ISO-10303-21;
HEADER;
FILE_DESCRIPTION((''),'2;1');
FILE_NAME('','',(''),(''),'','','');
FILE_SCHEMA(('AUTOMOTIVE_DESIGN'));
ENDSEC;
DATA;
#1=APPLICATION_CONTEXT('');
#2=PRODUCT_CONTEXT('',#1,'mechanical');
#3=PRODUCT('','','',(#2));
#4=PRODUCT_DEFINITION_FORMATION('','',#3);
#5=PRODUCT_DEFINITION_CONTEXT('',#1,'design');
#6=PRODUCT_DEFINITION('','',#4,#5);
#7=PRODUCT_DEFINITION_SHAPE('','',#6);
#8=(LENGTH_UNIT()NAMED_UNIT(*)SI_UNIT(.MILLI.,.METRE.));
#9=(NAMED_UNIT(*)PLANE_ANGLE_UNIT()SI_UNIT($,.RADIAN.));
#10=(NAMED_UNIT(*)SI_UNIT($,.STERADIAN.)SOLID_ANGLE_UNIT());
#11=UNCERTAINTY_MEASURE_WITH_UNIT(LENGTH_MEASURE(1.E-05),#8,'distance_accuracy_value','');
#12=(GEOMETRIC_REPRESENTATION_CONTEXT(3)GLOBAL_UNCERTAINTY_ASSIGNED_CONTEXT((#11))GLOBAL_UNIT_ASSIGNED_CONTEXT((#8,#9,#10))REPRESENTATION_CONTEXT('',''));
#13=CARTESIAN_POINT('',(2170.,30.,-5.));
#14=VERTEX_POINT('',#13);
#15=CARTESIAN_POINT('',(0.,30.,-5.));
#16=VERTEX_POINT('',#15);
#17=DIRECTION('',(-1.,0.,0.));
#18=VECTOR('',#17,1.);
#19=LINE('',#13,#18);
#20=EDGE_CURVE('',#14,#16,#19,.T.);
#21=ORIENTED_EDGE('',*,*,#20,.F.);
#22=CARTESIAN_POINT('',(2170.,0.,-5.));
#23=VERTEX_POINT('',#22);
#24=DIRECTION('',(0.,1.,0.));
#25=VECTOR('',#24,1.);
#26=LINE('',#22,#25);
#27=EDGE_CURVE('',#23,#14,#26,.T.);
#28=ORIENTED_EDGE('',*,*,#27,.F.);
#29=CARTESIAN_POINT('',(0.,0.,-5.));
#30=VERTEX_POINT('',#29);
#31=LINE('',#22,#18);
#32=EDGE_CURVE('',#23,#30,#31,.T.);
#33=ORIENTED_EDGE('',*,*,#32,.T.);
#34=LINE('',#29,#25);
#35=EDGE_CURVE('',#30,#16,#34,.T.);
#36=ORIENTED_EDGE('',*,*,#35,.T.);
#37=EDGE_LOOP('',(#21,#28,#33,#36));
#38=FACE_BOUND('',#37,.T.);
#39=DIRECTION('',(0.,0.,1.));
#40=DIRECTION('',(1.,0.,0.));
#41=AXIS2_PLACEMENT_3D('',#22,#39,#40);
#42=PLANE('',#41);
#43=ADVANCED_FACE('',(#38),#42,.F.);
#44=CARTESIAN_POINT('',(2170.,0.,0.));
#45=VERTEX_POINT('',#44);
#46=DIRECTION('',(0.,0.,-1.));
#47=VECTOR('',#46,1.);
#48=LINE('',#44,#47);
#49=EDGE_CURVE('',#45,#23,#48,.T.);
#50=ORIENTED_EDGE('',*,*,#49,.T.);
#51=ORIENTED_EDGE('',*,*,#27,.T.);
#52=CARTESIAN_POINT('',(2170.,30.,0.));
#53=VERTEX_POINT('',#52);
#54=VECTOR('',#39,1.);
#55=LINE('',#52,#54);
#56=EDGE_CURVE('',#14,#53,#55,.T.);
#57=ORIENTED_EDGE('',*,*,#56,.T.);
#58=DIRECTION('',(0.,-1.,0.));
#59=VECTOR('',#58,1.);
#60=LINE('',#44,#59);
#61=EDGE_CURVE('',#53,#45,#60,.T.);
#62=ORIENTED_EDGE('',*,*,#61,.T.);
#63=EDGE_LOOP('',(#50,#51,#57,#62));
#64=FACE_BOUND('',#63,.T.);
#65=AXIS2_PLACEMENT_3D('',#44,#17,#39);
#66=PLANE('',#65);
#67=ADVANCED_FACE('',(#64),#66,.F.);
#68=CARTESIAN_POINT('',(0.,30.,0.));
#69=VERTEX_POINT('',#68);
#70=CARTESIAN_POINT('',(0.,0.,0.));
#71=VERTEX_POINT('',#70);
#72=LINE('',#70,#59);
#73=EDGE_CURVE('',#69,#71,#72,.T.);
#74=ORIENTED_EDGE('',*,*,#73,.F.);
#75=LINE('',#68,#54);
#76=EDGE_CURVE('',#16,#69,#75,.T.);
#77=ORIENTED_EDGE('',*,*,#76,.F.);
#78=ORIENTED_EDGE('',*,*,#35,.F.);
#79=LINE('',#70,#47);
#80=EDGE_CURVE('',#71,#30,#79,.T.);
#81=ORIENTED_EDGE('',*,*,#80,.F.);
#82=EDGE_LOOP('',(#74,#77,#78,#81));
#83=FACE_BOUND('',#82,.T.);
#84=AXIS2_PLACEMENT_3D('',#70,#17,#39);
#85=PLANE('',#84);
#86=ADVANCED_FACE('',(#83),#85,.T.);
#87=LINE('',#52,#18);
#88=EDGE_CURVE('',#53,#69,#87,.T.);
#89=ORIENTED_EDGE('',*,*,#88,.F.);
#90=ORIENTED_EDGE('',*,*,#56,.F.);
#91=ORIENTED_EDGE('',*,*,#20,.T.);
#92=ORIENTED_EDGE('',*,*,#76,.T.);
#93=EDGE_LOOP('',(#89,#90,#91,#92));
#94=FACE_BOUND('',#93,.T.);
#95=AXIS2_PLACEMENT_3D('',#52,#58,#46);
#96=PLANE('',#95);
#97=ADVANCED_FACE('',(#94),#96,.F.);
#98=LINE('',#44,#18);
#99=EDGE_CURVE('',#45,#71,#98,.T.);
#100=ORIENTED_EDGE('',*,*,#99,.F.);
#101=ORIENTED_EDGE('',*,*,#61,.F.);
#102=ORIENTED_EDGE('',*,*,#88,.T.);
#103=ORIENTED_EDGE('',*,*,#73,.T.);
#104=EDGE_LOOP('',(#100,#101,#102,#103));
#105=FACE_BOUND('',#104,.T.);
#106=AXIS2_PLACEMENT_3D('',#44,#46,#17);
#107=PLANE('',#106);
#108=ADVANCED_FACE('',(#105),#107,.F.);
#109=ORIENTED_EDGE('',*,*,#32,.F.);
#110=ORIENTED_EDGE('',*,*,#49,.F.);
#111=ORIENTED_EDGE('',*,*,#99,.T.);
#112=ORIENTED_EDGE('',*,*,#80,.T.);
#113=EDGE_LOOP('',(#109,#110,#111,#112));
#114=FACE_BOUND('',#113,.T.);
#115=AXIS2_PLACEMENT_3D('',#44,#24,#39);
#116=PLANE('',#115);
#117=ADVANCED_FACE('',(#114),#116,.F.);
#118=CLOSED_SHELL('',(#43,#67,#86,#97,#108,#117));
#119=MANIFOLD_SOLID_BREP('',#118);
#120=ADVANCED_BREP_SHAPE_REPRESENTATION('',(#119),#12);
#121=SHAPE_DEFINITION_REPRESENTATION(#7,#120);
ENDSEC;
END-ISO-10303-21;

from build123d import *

# Parameters (mm, degrees)
SKETCH_1_W      = 5
SKETCH_1_H      = 30
EXTRUDE_1_DEPTH = 2170


with BuildPart() as part:
    # Эскиз1 → Бобышка-Вытянуть1 (new body)
    with BuildSketch(Plane(origin=(0, 0, 0), x_dir=(0, 0, -1), z_dir=(1, 0, 0))):
        with Locations((2.5, 15)):
            Rectangle(SKETCH_1_W, SKETCH_1_H)
    extrude(amount=EXTRUDE_1_DEPTH)


solid = part.part
